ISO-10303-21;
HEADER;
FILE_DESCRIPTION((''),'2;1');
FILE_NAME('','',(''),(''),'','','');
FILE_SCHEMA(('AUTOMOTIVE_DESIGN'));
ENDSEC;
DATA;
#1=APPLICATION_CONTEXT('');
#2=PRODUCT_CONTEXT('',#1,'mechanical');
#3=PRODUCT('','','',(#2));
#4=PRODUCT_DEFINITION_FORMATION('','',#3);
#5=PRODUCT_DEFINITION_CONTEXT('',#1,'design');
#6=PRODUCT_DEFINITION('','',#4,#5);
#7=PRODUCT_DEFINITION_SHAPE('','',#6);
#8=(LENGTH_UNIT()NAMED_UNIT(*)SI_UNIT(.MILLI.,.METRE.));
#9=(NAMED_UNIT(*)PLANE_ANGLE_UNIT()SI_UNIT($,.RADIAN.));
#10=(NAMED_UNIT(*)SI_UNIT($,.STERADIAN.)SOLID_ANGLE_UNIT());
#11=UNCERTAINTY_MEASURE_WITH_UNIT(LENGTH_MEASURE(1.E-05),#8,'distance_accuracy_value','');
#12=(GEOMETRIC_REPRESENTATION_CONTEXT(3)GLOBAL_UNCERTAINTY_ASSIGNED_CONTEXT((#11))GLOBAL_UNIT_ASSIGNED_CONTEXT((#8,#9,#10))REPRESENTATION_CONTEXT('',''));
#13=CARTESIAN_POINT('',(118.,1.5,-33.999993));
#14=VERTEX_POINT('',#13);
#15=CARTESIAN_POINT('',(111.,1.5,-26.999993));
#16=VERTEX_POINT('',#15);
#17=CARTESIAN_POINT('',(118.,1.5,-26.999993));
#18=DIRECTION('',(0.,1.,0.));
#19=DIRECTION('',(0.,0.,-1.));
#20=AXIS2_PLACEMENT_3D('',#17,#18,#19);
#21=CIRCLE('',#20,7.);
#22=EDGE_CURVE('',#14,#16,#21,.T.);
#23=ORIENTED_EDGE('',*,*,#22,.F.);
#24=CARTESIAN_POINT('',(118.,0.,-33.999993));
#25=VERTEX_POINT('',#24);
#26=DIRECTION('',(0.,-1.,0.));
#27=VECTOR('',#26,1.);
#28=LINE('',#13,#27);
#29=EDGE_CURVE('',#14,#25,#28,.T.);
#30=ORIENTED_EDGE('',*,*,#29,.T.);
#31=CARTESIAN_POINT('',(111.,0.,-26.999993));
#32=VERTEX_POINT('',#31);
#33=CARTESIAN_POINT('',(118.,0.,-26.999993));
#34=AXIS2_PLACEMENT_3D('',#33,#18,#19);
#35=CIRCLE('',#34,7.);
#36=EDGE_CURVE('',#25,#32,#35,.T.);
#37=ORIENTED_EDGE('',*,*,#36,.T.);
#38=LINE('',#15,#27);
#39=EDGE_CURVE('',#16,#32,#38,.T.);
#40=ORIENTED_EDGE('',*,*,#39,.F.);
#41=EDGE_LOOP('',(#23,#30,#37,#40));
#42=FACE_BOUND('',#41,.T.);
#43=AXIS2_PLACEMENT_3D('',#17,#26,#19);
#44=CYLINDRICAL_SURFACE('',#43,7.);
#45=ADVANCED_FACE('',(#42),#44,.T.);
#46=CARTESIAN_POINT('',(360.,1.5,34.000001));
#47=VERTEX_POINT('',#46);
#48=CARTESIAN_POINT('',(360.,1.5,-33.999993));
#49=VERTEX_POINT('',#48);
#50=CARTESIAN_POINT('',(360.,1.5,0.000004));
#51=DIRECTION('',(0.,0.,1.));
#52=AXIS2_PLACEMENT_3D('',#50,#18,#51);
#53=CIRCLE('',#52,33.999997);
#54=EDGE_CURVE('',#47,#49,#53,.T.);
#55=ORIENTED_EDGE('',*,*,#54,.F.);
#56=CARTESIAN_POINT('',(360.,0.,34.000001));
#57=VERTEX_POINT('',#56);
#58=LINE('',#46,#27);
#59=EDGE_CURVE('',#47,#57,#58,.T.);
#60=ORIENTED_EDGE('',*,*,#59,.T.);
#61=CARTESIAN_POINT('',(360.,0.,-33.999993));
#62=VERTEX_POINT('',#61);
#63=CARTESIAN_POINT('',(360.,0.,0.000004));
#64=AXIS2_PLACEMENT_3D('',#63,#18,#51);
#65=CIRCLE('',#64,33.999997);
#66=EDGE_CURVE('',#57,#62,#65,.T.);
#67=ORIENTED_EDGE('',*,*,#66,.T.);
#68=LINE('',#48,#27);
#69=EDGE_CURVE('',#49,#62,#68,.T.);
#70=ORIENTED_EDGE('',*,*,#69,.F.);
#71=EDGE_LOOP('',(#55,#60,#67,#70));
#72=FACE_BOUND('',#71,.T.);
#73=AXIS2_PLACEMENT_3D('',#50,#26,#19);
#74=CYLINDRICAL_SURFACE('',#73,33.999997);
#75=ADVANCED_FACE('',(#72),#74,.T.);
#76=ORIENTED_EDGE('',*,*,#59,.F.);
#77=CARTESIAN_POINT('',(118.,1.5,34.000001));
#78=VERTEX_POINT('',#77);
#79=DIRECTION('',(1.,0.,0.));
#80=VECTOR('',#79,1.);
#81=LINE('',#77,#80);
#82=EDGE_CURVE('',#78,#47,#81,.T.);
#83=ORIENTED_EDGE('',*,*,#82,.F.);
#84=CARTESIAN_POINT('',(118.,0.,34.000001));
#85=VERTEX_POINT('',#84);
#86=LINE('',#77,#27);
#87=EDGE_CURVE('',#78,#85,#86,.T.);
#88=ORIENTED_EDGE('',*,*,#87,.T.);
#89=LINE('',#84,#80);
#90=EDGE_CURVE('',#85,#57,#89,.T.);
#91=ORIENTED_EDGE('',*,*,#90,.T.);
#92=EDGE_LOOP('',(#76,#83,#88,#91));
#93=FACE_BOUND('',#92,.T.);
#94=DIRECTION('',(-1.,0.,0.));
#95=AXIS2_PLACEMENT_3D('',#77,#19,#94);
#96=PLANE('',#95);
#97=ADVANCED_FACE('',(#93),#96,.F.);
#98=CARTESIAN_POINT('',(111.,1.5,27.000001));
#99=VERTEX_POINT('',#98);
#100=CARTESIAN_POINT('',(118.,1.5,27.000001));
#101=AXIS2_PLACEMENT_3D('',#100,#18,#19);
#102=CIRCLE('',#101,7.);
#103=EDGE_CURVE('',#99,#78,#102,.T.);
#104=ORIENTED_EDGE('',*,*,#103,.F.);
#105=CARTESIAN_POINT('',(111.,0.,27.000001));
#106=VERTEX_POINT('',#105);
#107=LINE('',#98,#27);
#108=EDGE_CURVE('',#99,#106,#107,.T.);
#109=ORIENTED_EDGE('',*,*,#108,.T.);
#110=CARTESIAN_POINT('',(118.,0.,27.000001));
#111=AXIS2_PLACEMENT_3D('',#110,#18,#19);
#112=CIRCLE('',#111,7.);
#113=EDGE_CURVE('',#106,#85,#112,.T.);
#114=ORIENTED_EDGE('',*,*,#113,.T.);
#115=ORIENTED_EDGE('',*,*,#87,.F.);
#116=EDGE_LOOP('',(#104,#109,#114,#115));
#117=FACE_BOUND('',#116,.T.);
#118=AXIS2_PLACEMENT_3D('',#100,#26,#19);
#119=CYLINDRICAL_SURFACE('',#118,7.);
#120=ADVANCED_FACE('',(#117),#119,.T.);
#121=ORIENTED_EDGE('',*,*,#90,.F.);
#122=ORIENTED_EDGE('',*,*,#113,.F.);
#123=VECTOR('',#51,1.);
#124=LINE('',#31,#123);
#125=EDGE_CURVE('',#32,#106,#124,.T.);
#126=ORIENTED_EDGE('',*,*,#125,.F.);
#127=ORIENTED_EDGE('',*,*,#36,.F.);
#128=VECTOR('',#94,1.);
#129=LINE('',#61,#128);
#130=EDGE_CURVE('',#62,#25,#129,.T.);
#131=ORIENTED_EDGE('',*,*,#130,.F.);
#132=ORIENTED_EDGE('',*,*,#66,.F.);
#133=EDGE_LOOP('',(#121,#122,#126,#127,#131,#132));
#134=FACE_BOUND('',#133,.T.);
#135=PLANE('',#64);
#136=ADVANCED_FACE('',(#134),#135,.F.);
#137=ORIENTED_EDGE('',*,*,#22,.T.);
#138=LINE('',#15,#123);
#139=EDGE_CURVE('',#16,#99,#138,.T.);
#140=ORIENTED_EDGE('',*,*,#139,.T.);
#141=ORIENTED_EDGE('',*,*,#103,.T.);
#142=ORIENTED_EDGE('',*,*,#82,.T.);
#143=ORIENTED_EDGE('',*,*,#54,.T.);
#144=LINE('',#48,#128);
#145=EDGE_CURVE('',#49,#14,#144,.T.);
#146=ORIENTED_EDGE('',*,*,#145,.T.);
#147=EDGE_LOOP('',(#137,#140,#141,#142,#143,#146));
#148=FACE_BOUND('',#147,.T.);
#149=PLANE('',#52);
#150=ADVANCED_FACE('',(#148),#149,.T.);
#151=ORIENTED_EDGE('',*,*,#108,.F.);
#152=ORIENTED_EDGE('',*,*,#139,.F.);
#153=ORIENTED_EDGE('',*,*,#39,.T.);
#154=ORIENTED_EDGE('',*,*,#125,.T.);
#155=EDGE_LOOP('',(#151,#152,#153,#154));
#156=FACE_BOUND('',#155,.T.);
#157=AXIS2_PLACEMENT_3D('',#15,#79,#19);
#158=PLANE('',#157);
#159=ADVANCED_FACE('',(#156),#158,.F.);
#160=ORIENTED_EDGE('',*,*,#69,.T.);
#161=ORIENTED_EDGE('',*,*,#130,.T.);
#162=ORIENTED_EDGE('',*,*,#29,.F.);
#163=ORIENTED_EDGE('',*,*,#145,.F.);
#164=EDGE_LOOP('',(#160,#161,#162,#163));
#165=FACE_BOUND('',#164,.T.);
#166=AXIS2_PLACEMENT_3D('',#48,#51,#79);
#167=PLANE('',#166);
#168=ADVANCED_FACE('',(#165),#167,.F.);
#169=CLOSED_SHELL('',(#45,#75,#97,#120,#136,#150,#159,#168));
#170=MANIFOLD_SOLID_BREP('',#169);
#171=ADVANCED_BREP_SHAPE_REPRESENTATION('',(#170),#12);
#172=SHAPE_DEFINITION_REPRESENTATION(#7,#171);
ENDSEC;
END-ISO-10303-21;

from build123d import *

# Parameters (mm, degrees)
BOSS_EXTRUDE1_DEPTH = 1.5


with BuildPart() as part:
    # Sketch1 → Boss-Extrude1 (new body)
    with BuildSketch(Plane(origin=(0, 0, 0), x_dir=(1, 0, 0), z_dir=(0, 1, 0))):
        with BuildLine():
            Line((360, 33.999992985), (118, 33.999992985))
            ThreePointArc((118, 33.999992985), (113.050252532, 31.949740453), (111, 26.999992985))
            Line((111, 26.999992985), (111, -27.000001075))
            ThreePointArc((111, -27.000001075), (113.050252532, -31.949748543), (118, -34.000001075))
            Line((118, -34.000001075), (360, -34.000001075))
            ThreePointArc((360, -34.000001075), (393.99999703, -4.045e-06), (360, 33.999992985))
        make_face()
    extrude(amount=BOSS_EXTRUDE1_DEPTH)


solid = part.part
